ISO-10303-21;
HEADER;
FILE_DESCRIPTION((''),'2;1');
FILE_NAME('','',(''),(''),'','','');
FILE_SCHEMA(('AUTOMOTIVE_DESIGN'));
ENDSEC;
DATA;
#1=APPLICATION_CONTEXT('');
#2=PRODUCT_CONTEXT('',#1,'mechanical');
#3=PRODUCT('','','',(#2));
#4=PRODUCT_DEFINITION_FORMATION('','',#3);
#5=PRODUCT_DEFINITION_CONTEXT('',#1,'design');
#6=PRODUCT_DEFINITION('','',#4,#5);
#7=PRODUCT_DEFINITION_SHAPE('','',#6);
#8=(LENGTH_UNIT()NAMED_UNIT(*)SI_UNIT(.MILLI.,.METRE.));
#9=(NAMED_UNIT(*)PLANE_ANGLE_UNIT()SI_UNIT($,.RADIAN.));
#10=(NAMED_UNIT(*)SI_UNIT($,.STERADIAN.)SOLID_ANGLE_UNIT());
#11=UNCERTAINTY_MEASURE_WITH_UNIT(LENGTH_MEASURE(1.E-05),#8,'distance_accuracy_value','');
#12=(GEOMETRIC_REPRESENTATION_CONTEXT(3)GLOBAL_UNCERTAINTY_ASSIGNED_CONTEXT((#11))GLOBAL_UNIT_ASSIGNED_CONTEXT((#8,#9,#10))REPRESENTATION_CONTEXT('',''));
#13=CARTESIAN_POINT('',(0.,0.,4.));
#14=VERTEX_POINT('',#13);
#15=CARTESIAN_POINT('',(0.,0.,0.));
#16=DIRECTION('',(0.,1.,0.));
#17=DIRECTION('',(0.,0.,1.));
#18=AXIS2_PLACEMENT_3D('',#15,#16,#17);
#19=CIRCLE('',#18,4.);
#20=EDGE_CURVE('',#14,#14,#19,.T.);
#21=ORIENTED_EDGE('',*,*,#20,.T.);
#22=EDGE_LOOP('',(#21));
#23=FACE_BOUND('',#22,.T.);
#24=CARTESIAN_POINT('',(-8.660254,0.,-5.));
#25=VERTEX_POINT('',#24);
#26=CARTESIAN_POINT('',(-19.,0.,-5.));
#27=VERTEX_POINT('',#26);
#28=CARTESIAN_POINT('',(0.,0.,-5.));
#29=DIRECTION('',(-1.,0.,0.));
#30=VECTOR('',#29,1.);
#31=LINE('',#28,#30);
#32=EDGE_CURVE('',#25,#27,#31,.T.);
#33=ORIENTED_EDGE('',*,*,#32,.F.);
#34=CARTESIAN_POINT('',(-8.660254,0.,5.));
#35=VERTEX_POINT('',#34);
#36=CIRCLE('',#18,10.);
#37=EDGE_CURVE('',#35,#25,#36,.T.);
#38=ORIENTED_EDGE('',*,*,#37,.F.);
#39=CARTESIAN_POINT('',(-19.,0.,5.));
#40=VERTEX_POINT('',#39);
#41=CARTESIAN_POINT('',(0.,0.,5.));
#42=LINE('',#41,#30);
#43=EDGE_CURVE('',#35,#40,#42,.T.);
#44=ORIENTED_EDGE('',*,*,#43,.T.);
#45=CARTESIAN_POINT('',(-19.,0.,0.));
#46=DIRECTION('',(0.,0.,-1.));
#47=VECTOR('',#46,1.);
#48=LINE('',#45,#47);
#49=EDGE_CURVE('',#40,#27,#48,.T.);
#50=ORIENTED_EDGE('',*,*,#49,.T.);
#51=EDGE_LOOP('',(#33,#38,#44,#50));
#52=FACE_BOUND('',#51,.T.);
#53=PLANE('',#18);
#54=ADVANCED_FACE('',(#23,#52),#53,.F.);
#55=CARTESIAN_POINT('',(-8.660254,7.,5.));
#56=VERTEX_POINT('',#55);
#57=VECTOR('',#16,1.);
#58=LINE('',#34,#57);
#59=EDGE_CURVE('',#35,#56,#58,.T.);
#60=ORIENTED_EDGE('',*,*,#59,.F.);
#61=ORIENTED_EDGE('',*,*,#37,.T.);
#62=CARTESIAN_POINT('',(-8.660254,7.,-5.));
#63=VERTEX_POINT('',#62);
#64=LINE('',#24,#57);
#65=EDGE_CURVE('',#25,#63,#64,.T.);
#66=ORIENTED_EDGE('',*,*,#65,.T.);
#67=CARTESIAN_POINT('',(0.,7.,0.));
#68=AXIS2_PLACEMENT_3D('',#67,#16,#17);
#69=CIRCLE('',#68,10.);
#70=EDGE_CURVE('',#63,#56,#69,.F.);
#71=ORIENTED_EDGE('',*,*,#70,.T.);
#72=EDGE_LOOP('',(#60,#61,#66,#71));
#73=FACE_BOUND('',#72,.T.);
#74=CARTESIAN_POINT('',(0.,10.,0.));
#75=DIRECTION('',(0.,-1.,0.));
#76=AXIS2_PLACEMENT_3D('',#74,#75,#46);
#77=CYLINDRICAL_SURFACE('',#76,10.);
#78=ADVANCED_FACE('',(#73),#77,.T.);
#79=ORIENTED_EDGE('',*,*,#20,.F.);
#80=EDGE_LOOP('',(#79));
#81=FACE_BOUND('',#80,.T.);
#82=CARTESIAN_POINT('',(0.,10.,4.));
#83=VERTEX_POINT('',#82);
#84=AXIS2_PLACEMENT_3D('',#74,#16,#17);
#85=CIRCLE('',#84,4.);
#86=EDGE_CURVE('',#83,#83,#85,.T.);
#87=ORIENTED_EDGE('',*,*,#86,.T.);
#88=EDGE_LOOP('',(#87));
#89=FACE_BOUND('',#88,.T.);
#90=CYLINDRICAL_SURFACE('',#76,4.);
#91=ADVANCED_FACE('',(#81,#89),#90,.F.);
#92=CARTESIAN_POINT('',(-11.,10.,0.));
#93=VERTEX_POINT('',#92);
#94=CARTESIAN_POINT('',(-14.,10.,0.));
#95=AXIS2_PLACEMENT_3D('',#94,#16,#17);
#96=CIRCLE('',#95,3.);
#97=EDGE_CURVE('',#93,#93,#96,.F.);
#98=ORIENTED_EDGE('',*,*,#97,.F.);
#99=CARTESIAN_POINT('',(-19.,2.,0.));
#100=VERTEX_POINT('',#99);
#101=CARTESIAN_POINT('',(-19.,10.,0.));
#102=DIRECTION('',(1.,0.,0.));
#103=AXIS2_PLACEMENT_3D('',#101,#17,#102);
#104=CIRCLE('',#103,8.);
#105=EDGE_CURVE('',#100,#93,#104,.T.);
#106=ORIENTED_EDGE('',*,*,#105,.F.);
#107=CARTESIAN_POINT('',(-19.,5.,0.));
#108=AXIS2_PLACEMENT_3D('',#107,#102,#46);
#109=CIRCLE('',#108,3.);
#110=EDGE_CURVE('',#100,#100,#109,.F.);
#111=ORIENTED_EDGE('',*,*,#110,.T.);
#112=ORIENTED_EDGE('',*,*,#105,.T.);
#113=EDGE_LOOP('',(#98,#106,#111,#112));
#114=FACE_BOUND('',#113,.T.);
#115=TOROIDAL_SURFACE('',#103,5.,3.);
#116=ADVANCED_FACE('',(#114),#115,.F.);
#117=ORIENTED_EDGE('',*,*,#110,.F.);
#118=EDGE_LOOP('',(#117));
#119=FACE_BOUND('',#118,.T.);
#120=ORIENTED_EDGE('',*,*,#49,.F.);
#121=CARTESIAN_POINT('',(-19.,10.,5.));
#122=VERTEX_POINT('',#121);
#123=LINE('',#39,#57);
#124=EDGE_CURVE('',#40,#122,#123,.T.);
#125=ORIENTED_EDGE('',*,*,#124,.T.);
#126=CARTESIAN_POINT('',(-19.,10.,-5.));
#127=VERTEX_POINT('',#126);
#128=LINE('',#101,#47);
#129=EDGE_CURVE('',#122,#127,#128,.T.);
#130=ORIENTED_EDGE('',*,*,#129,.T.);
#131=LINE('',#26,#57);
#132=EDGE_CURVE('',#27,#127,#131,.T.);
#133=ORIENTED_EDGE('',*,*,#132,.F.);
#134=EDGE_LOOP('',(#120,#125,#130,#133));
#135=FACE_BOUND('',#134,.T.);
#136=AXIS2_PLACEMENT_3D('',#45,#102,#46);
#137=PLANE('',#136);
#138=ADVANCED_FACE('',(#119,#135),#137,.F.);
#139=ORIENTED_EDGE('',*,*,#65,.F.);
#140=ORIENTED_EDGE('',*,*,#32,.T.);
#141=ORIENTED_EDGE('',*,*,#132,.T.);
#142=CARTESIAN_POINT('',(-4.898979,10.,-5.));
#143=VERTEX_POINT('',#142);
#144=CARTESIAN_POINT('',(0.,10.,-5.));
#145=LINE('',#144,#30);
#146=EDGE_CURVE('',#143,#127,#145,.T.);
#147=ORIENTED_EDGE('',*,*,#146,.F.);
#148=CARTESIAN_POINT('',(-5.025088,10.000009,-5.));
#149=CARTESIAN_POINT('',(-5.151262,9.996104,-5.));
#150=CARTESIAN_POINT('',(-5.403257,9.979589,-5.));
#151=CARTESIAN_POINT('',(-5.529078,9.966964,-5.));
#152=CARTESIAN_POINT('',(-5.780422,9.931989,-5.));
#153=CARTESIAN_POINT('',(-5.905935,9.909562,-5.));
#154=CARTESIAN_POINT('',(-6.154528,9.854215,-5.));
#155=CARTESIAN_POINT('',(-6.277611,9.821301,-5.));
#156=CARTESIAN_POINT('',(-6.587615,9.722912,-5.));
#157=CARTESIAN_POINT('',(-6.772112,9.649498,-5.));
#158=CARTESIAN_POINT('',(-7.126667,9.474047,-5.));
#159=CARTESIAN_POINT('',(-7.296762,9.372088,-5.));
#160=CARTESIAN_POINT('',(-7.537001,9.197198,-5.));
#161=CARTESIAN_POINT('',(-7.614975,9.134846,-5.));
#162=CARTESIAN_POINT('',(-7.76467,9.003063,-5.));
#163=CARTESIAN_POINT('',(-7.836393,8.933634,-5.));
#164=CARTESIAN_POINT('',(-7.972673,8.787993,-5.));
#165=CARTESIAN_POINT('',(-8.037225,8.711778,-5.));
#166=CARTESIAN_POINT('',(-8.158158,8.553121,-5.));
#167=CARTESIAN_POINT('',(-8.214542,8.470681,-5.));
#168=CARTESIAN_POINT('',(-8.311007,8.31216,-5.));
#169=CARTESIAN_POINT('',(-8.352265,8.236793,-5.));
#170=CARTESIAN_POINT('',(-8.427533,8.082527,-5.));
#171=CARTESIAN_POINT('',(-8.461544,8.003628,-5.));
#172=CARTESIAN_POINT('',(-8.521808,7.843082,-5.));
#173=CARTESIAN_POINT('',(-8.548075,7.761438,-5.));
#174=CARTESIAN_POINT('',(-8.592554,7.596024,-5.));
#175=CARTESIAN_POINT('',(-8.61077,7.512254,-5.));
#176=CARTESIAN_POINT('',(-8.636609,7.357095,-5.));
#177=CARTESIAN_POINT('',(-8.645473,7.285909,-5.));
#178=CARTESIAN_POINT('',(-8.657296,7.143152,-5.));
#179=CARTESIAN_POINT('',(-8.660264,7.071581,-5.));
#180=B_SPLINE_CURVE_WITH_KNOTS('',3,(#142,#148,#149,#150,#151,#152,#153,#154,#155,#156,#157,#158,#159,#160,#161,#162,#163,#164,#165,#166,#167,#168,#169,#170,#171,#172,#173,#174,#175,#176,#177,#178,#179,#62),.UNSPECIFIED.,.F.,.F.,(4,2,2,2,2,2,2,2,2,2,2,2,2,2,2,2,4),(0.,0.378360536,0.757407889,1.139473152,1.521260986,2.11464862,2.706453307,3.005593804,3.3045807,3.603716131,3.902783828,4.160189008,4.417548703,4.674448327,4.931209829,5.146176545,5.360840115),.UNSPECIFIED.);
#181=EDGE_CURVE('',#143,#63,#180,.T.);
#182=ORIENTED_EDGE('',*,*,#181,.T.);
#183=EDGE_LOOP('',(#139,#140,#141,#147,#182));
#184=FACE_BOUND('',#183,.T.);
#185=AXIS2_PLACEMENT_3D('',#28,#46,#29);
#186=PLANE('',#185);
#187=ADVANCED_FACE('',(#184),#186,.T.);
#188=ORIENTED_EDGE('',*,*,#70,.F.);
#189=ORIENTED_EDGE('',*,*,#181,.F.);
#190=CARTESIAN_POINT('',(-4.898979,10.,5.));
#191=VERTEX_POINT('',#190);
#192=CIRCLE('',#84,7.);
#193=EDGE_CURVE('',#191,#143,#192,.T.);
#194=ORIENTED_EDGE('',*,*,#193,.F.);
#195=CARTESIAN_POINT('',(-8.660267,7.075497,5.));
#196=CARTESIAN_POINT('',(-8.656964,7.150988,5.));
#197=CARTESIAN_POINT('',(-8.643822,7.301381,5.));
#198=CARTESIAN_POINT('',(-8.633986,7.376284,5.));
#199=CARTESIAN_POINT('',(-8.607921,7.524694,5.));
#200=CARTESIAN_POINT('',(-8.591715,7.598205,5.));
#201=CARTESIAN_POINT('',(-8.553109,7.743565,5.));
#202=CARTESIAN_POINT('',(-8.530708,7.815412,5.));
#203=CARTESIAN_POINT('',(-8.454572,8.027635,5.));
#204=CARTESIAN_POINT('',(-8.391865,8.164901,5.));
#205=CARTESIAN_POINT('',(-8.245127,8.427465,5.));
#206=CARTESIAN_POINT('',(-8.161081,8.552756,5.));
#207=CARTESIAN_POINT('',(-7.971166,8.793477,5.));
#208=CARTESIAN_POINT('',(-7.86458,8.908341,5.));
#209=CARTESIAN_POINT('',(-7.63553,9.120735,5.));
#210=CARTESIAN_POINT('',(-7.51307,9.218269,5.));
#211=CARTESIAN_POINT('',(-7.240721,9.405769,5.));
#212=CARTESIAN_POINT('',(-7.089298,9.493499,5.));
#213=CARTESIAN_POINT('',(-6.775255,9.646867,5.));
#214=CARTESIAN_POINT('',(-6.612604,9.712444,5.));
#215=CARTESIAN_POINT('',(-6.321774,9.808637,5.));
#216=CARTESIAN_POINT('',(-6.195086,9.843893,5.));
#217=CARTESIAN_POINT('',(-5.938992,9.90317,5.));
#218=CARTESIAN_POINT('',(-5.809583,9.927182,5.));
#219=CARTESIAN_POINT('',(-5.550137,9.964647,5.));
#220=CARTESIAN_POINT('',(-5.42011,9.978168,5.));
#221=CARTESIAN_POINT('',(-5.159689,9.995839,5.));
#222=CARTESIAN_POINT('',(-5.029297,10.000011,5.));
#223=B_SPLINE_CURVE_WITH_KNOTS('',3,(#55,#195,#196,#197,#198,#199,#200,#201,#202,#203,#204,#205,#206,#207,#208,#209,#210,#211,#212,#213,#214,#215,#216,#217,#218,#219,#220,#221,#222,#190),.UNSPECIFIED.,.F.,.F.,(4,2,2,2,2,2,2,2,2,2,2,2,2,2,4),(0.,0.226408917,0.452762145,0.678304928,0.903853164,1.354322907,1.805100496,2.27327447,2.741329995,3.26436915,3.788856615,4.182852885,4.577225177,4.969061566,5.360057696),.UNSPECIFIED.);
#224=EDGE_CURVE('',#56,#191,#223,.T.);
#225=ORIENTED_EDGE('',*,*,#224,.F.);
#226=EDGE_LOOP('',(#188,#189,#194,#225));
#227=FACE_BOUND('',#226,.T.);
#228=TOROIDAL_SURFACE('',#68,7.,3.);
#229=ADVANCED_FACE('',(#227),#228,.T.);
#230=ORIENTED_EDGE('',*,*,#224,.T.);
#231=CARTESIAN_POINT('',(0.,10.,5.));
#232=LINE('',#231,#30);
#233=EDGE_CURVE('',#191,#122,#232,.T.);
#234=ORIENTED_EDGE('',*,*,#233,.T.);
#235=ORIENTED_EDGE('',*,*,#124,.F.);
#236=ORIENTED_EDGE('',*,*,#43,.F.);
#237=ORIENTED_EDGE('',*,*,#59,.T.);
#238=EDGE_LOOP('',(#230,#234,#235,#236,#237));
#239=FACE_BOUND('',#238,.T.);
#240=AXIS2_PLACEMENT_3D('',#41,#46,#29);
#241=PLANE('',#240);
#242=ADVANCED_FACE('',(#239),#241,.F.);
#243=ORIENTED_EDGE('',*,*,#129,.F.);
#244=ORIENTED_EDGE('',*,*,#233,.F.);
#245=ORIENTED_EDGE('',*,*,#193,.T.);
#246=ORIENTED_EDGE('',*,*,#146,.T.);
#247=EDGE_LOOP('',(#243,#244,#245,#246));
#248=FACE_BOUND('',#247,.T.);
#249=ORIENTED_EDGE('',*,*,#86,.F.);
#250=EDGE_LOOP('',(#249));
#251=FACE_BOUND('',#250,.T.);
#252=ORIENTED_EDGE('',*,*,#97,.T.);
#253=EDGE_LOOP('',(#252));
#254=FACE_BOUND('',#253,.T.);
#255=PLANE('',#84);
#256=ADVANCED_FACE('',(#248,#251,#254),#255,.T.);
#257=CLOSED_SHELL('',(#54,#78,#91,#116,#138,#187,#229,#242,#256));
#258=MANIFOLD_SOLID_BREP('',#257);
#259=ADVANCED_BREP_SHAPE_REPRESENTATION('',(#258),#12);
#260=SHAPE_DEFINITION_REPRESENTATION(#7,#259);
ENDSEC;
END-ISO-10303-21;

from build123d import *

# Parameters (mm, degrees)
SKETCH1_R           = 10
SKETCH1_R_2         = 4
BOSS_EXTRUDE1_DEPTH = 10
BOSS_EXTRUDE2_DEPTH = 10
SKETCH3_R           = 3
FILLET1_R           = 3


with BuildPart() as part:
    # Sketch1 → Boss-Extrude1 (new body)
    with BuildSketch(Plane(origin=(0, 0, 0), x_dir=(1, 0, 0), z_dir=(0, 1, 0))):
        Circle(SKETCH1_R)
        Circle(SKETCH1_R_2, mode=Mode.SUBTRACT)
    extrude(amount=BOSS_EXTRUDE1_DEPTH)

    # Sketch2 → Boss-Extrude2 (add)
    with BuildSketch(Plane(origin=(0, 10, 0), x_dir=(1, 0, 0), z_dir=(0, 1, 0))):
        with BuildLine():
            Line((-19, -5), (-8.660254038, -5))
            ThreePointArc((-8.660254038, -5), (-10, 0), (-8.660254038, 5))
            Line((-8.660254038, 5), (-19, 5))
            Line((-19, 5), (-19, -5))
        make_face()
    extrude(amount=-BOSS_EXTRUDE2_DEPTH)

    # Sketch3 → Cut-Revolve1 (revolve, cut)
    with BuildSketch(Plane.ZY.offset(19)):
        with Locations((0, 5)):
            Circle(SKETCH3_R)
    revolve(axis=Axis((-19, 10, 5), (0, 0, -1)), mode=Mode.SUBTRACT)

    # Fillet1
    fillet1_edges = [part.edges().sort_by_distance(p)[0] for p in [
        (10, 10, 0),
    ]]
    fillet(fillet1_edges, radius=FILLET1_R)


solid = part.part
